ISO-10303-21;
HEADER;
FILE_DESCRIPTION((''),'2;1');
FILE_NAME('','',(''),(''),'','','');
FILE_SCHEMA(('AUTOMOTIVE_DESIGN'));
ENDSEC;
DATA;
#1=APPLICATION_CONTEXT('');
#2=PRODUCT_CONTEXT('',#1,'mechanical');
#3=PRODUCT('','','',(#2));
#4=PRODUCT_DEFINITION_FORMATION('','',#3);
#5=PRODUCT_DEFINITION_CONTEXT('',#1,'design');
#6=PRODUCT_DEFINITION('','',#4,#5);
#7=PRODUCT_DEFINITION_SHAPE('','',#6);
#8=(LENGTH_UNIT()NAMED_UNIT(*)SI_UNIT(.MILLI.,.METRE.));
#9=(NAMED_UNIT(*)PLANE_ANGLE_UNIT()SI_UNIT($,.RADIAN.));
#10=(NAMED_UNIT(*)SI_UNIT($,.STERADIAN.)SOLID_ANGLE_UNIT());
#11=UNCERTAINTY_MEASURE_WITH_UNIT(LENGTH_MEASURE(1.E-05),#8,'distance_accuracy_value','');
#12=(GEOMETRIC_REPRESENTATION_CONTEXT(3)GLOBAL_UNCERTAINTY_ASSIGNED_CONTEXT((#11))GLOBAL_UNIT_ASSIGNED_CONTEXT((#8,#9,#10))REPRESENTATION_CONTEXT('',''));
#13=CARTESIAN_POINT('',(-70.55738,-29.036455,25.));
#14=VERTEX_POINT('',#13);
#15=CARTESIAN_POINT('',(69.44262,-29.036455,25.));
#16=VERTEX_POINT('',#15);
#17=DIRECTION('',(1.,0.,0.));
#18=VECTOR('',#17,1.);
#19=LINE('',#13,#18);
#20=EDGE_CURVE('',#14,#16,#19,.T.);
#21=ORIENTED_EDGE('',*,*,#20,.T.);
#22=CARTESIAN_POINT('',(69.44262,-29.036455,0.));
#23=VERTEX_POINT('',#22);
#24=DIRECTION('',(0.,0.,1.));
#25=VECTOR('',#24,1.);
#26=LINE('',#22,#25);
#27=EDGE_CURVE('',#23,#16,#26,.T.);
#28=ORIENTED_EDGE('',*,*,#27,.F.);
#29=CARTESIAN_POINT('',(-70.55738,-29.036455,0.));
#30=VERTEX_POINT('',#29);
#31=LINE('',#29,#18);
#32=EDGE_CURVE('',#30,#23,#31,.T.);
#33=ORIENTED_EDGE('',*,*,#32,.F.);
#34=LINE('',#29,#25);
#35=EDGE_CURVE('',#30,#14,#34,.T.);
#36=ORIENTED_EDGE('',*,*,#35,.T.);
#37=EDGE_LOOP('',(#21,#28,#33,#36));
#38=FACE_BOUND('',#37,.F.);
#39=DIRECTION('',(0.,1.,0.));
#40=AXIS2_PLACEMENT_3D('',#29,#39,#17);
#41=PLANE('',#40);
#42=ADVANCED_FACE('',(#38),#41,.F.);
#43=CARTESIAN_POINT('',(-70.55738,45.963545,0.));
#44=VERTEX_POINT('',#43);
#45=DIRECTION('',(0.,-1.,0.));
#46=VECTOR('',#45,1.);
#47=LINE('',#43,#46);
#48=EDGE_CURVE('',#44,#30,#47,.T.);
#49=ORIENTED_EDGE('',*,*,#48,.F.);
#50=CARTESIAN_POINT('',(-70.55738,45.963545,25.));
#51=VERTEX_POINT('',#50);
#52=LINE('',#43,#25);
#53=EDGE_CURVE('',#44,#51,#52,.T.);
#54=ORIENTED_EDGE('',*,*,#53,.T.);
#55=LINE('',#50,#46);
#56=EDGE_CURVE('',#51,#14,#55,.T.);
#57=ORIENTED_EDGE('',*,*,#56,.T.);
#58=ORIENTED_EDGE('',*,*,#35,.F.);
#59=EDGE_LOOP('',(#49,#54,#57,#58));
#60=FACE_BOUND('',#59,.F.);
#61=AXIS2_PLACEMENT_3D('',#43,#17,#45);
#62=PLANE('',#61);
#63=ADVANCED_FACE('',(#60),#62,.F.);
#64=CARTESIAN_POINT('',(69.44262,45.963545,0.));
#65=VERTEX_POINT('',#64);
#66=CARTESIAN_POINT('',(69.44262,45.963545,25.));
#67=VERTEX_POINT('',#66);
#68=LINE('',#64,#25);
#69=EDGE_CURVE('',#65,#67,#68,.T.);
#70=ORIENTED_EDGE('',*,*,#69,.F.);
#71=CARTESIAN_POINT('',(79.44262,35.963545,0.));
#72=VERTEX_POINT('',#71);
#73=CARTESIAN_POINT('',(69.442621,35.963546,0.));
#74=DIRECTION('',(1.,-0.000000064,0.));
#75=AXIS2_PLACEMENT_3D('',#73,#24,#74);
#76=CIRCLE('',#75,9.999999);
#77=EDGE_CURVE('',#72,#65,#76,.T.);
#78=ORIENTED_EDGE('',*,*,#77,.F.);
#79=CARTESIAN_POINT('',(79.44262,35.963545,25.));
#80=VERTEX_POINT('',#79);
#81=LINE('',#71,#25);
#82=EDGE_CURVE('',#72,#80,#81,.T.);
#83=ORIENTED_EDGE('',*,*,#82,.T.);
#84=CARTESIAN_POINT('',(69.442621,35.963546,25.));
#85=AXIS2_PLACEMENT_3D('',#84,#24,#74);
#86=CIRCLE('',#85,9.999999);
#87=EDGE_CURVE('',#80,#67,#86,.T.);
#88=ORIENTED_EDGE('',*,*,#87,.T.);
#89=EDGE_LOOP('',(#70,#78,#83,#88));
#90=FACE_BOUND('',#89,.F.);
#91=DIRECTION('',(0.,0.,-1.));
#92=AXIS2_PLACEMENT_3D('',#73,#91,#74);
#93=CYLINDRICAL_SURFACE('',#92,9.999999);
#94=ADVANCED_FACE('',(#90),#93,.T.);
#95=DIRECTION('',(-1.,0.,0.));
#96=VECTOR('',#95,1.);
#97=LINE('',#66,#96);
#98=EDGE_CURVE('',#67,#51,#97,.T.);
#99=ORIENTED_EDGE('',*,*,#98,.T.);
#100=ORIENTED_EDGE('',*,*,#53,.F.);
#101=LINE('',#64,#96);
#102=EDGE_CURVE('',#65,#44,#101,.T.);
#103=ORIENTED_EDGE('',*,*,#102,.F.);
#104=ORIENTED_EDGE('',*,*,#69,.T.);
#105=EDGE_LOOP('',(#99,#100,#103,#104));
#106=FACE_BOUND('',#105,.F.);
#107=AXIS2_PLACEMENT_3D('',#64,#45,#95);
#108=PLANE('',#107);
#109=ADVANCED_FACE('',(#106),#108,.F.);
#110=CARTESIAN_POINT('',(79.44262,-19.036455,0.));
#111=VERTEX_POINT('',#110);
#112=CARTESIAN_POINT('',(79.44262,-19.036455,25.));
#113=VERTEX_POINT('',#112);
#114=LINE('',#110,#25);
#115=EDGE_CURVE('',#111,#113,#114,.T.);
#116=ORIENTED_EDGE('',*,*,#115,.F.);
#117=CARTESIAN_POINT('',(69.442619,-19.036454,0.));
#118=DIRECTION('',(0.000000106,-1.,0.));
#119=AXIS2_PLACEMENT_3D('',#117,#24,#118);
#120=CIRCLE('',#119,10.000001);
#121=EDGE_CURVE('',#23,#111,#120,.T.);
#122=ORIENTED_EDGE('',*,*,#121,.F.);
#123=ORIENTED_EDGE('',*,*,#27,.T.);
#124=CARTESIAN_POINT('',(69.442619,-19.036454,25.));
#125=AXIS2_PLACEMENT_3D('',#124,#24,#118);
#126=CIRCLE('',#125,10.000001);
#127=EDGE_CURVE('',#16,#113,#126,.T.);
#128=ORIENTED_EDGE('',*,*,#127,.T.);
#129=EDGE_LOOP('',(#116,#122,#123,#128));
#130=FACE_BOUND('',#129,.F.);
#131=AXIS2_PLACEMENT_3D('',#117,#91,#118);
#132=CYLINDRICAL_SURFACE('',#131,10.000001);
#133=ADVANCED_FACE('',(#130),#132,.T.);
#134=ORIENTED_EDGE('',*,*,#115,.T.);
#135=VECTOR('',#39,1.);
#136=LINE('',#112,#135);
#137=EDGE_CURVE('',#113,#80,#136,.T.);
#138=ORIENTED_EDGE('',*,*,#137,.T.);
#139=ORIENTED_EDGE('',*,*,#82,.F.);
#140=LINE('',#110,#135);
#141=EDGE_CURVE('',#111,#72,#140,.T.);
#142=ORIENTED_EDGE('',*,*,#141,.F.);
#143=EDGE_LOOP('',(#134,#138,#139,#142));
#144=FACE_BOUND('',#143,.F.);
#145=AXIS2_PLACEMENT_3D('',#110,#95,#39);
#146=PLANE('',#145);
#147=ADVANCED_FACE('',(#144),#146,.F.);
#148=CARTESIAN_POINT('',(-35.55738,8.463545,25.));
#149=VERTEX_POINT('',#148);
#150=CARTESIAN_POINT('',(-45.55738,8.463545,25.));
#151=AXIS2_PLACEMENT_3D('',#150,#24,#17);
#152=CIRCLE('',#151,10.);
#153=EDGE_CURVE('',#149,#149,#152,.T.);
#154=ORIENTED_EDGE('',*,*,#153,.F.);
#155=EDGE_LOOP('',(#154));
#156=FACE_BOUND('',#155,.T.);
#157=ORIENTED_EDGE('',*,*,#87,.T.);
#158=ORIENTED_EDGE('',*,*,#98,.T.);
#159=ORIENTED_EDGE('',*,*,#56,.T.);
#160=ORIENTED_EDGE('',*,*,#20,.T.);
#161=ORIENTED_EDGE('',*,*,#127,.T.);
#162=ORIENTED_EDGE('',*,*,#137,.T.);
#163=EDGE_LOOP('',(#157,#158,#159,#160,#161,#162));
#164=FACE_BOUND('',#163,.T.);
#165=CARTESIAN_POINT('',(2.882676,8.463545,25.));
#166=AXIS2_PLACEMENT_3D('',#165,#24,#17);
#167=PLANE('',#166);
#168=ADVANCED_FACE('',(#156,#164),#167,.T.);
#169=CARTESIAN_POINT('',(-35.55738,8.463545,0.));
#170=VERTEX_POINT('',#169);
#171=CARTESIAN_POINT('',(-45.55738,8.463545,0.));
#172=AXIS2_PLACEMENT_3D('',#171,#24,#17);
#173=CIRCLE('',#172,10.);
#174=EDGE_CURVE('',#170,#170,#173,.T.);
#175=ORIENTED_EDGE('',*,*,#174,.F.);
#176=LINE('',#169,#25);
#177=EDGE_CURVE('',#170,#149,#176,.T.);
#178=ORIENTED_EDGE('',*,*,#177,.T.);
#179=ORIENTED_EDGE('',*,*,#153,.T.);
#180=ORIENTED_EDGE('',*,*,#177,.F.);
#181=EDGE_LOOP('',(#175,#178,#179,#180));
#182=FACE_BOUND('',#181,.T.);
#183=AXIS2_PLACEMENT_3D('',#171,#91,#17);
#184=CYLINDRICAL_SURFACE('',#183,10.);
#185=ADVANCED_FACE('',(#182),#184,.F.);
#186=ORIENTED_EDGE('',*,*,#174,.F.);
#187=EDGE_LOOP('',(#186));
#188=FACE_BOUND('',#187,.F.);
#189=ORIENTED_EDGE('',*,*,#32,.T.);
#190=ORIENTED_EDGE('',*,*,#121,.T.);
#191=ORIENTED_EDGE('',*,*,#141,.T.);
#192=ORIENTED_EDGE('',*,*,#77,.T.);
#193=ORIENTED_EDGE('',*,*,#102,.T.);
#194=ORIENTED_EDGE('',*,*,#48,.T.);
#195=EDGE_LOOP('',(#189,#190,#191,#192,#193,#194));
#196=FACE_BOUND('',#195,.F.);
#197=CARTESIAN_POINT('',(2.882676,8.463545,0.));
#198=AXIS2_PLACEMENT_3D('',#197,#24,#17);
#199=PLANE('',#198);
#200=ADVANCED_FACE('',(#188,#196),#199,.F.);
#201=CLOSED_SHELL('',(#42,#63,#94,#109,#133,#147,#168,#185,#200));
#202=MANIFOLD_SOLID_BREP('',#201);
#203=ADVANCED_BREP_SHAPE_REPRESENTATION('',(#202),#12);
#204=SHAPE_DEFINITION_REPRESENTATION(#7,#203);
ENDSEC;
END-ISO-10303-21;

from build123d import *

# Parameters (mm, degrees)
F0_R     = 10
F1_DEPTH = 25


with BuildPart() as f1:
    # F0 (on Top) → F1 (new body)
    with BuildSketch(Plane.XY):
        with BuildLine():
            Line((69.44262, 45.963545), (-70.55738, 45.963545))
            Line((-70.55738, 45.963545), (-70.55738, -29.036455))
            Line((-70.55738, -29.036455), (69.44262, -29.036455))
            ThreePointArc((69.44262, -29.036455), (76.513688, -26.107522), (79.44262, -19.036455))
            Line((79.44262, -19.036455), (79.44262, 35.963545))
            ThreePointArc((79.44262, 35.963545), (76.513688, 43.034613), (69.44262, 45.963545))
        make_face()
        with Locations((-45.55738, 8.463545)):
            Circle(F0_R, mode=Mode.SUBTRACT)
    extrude(amount=F1_DEPTH)


solid = f1.part
